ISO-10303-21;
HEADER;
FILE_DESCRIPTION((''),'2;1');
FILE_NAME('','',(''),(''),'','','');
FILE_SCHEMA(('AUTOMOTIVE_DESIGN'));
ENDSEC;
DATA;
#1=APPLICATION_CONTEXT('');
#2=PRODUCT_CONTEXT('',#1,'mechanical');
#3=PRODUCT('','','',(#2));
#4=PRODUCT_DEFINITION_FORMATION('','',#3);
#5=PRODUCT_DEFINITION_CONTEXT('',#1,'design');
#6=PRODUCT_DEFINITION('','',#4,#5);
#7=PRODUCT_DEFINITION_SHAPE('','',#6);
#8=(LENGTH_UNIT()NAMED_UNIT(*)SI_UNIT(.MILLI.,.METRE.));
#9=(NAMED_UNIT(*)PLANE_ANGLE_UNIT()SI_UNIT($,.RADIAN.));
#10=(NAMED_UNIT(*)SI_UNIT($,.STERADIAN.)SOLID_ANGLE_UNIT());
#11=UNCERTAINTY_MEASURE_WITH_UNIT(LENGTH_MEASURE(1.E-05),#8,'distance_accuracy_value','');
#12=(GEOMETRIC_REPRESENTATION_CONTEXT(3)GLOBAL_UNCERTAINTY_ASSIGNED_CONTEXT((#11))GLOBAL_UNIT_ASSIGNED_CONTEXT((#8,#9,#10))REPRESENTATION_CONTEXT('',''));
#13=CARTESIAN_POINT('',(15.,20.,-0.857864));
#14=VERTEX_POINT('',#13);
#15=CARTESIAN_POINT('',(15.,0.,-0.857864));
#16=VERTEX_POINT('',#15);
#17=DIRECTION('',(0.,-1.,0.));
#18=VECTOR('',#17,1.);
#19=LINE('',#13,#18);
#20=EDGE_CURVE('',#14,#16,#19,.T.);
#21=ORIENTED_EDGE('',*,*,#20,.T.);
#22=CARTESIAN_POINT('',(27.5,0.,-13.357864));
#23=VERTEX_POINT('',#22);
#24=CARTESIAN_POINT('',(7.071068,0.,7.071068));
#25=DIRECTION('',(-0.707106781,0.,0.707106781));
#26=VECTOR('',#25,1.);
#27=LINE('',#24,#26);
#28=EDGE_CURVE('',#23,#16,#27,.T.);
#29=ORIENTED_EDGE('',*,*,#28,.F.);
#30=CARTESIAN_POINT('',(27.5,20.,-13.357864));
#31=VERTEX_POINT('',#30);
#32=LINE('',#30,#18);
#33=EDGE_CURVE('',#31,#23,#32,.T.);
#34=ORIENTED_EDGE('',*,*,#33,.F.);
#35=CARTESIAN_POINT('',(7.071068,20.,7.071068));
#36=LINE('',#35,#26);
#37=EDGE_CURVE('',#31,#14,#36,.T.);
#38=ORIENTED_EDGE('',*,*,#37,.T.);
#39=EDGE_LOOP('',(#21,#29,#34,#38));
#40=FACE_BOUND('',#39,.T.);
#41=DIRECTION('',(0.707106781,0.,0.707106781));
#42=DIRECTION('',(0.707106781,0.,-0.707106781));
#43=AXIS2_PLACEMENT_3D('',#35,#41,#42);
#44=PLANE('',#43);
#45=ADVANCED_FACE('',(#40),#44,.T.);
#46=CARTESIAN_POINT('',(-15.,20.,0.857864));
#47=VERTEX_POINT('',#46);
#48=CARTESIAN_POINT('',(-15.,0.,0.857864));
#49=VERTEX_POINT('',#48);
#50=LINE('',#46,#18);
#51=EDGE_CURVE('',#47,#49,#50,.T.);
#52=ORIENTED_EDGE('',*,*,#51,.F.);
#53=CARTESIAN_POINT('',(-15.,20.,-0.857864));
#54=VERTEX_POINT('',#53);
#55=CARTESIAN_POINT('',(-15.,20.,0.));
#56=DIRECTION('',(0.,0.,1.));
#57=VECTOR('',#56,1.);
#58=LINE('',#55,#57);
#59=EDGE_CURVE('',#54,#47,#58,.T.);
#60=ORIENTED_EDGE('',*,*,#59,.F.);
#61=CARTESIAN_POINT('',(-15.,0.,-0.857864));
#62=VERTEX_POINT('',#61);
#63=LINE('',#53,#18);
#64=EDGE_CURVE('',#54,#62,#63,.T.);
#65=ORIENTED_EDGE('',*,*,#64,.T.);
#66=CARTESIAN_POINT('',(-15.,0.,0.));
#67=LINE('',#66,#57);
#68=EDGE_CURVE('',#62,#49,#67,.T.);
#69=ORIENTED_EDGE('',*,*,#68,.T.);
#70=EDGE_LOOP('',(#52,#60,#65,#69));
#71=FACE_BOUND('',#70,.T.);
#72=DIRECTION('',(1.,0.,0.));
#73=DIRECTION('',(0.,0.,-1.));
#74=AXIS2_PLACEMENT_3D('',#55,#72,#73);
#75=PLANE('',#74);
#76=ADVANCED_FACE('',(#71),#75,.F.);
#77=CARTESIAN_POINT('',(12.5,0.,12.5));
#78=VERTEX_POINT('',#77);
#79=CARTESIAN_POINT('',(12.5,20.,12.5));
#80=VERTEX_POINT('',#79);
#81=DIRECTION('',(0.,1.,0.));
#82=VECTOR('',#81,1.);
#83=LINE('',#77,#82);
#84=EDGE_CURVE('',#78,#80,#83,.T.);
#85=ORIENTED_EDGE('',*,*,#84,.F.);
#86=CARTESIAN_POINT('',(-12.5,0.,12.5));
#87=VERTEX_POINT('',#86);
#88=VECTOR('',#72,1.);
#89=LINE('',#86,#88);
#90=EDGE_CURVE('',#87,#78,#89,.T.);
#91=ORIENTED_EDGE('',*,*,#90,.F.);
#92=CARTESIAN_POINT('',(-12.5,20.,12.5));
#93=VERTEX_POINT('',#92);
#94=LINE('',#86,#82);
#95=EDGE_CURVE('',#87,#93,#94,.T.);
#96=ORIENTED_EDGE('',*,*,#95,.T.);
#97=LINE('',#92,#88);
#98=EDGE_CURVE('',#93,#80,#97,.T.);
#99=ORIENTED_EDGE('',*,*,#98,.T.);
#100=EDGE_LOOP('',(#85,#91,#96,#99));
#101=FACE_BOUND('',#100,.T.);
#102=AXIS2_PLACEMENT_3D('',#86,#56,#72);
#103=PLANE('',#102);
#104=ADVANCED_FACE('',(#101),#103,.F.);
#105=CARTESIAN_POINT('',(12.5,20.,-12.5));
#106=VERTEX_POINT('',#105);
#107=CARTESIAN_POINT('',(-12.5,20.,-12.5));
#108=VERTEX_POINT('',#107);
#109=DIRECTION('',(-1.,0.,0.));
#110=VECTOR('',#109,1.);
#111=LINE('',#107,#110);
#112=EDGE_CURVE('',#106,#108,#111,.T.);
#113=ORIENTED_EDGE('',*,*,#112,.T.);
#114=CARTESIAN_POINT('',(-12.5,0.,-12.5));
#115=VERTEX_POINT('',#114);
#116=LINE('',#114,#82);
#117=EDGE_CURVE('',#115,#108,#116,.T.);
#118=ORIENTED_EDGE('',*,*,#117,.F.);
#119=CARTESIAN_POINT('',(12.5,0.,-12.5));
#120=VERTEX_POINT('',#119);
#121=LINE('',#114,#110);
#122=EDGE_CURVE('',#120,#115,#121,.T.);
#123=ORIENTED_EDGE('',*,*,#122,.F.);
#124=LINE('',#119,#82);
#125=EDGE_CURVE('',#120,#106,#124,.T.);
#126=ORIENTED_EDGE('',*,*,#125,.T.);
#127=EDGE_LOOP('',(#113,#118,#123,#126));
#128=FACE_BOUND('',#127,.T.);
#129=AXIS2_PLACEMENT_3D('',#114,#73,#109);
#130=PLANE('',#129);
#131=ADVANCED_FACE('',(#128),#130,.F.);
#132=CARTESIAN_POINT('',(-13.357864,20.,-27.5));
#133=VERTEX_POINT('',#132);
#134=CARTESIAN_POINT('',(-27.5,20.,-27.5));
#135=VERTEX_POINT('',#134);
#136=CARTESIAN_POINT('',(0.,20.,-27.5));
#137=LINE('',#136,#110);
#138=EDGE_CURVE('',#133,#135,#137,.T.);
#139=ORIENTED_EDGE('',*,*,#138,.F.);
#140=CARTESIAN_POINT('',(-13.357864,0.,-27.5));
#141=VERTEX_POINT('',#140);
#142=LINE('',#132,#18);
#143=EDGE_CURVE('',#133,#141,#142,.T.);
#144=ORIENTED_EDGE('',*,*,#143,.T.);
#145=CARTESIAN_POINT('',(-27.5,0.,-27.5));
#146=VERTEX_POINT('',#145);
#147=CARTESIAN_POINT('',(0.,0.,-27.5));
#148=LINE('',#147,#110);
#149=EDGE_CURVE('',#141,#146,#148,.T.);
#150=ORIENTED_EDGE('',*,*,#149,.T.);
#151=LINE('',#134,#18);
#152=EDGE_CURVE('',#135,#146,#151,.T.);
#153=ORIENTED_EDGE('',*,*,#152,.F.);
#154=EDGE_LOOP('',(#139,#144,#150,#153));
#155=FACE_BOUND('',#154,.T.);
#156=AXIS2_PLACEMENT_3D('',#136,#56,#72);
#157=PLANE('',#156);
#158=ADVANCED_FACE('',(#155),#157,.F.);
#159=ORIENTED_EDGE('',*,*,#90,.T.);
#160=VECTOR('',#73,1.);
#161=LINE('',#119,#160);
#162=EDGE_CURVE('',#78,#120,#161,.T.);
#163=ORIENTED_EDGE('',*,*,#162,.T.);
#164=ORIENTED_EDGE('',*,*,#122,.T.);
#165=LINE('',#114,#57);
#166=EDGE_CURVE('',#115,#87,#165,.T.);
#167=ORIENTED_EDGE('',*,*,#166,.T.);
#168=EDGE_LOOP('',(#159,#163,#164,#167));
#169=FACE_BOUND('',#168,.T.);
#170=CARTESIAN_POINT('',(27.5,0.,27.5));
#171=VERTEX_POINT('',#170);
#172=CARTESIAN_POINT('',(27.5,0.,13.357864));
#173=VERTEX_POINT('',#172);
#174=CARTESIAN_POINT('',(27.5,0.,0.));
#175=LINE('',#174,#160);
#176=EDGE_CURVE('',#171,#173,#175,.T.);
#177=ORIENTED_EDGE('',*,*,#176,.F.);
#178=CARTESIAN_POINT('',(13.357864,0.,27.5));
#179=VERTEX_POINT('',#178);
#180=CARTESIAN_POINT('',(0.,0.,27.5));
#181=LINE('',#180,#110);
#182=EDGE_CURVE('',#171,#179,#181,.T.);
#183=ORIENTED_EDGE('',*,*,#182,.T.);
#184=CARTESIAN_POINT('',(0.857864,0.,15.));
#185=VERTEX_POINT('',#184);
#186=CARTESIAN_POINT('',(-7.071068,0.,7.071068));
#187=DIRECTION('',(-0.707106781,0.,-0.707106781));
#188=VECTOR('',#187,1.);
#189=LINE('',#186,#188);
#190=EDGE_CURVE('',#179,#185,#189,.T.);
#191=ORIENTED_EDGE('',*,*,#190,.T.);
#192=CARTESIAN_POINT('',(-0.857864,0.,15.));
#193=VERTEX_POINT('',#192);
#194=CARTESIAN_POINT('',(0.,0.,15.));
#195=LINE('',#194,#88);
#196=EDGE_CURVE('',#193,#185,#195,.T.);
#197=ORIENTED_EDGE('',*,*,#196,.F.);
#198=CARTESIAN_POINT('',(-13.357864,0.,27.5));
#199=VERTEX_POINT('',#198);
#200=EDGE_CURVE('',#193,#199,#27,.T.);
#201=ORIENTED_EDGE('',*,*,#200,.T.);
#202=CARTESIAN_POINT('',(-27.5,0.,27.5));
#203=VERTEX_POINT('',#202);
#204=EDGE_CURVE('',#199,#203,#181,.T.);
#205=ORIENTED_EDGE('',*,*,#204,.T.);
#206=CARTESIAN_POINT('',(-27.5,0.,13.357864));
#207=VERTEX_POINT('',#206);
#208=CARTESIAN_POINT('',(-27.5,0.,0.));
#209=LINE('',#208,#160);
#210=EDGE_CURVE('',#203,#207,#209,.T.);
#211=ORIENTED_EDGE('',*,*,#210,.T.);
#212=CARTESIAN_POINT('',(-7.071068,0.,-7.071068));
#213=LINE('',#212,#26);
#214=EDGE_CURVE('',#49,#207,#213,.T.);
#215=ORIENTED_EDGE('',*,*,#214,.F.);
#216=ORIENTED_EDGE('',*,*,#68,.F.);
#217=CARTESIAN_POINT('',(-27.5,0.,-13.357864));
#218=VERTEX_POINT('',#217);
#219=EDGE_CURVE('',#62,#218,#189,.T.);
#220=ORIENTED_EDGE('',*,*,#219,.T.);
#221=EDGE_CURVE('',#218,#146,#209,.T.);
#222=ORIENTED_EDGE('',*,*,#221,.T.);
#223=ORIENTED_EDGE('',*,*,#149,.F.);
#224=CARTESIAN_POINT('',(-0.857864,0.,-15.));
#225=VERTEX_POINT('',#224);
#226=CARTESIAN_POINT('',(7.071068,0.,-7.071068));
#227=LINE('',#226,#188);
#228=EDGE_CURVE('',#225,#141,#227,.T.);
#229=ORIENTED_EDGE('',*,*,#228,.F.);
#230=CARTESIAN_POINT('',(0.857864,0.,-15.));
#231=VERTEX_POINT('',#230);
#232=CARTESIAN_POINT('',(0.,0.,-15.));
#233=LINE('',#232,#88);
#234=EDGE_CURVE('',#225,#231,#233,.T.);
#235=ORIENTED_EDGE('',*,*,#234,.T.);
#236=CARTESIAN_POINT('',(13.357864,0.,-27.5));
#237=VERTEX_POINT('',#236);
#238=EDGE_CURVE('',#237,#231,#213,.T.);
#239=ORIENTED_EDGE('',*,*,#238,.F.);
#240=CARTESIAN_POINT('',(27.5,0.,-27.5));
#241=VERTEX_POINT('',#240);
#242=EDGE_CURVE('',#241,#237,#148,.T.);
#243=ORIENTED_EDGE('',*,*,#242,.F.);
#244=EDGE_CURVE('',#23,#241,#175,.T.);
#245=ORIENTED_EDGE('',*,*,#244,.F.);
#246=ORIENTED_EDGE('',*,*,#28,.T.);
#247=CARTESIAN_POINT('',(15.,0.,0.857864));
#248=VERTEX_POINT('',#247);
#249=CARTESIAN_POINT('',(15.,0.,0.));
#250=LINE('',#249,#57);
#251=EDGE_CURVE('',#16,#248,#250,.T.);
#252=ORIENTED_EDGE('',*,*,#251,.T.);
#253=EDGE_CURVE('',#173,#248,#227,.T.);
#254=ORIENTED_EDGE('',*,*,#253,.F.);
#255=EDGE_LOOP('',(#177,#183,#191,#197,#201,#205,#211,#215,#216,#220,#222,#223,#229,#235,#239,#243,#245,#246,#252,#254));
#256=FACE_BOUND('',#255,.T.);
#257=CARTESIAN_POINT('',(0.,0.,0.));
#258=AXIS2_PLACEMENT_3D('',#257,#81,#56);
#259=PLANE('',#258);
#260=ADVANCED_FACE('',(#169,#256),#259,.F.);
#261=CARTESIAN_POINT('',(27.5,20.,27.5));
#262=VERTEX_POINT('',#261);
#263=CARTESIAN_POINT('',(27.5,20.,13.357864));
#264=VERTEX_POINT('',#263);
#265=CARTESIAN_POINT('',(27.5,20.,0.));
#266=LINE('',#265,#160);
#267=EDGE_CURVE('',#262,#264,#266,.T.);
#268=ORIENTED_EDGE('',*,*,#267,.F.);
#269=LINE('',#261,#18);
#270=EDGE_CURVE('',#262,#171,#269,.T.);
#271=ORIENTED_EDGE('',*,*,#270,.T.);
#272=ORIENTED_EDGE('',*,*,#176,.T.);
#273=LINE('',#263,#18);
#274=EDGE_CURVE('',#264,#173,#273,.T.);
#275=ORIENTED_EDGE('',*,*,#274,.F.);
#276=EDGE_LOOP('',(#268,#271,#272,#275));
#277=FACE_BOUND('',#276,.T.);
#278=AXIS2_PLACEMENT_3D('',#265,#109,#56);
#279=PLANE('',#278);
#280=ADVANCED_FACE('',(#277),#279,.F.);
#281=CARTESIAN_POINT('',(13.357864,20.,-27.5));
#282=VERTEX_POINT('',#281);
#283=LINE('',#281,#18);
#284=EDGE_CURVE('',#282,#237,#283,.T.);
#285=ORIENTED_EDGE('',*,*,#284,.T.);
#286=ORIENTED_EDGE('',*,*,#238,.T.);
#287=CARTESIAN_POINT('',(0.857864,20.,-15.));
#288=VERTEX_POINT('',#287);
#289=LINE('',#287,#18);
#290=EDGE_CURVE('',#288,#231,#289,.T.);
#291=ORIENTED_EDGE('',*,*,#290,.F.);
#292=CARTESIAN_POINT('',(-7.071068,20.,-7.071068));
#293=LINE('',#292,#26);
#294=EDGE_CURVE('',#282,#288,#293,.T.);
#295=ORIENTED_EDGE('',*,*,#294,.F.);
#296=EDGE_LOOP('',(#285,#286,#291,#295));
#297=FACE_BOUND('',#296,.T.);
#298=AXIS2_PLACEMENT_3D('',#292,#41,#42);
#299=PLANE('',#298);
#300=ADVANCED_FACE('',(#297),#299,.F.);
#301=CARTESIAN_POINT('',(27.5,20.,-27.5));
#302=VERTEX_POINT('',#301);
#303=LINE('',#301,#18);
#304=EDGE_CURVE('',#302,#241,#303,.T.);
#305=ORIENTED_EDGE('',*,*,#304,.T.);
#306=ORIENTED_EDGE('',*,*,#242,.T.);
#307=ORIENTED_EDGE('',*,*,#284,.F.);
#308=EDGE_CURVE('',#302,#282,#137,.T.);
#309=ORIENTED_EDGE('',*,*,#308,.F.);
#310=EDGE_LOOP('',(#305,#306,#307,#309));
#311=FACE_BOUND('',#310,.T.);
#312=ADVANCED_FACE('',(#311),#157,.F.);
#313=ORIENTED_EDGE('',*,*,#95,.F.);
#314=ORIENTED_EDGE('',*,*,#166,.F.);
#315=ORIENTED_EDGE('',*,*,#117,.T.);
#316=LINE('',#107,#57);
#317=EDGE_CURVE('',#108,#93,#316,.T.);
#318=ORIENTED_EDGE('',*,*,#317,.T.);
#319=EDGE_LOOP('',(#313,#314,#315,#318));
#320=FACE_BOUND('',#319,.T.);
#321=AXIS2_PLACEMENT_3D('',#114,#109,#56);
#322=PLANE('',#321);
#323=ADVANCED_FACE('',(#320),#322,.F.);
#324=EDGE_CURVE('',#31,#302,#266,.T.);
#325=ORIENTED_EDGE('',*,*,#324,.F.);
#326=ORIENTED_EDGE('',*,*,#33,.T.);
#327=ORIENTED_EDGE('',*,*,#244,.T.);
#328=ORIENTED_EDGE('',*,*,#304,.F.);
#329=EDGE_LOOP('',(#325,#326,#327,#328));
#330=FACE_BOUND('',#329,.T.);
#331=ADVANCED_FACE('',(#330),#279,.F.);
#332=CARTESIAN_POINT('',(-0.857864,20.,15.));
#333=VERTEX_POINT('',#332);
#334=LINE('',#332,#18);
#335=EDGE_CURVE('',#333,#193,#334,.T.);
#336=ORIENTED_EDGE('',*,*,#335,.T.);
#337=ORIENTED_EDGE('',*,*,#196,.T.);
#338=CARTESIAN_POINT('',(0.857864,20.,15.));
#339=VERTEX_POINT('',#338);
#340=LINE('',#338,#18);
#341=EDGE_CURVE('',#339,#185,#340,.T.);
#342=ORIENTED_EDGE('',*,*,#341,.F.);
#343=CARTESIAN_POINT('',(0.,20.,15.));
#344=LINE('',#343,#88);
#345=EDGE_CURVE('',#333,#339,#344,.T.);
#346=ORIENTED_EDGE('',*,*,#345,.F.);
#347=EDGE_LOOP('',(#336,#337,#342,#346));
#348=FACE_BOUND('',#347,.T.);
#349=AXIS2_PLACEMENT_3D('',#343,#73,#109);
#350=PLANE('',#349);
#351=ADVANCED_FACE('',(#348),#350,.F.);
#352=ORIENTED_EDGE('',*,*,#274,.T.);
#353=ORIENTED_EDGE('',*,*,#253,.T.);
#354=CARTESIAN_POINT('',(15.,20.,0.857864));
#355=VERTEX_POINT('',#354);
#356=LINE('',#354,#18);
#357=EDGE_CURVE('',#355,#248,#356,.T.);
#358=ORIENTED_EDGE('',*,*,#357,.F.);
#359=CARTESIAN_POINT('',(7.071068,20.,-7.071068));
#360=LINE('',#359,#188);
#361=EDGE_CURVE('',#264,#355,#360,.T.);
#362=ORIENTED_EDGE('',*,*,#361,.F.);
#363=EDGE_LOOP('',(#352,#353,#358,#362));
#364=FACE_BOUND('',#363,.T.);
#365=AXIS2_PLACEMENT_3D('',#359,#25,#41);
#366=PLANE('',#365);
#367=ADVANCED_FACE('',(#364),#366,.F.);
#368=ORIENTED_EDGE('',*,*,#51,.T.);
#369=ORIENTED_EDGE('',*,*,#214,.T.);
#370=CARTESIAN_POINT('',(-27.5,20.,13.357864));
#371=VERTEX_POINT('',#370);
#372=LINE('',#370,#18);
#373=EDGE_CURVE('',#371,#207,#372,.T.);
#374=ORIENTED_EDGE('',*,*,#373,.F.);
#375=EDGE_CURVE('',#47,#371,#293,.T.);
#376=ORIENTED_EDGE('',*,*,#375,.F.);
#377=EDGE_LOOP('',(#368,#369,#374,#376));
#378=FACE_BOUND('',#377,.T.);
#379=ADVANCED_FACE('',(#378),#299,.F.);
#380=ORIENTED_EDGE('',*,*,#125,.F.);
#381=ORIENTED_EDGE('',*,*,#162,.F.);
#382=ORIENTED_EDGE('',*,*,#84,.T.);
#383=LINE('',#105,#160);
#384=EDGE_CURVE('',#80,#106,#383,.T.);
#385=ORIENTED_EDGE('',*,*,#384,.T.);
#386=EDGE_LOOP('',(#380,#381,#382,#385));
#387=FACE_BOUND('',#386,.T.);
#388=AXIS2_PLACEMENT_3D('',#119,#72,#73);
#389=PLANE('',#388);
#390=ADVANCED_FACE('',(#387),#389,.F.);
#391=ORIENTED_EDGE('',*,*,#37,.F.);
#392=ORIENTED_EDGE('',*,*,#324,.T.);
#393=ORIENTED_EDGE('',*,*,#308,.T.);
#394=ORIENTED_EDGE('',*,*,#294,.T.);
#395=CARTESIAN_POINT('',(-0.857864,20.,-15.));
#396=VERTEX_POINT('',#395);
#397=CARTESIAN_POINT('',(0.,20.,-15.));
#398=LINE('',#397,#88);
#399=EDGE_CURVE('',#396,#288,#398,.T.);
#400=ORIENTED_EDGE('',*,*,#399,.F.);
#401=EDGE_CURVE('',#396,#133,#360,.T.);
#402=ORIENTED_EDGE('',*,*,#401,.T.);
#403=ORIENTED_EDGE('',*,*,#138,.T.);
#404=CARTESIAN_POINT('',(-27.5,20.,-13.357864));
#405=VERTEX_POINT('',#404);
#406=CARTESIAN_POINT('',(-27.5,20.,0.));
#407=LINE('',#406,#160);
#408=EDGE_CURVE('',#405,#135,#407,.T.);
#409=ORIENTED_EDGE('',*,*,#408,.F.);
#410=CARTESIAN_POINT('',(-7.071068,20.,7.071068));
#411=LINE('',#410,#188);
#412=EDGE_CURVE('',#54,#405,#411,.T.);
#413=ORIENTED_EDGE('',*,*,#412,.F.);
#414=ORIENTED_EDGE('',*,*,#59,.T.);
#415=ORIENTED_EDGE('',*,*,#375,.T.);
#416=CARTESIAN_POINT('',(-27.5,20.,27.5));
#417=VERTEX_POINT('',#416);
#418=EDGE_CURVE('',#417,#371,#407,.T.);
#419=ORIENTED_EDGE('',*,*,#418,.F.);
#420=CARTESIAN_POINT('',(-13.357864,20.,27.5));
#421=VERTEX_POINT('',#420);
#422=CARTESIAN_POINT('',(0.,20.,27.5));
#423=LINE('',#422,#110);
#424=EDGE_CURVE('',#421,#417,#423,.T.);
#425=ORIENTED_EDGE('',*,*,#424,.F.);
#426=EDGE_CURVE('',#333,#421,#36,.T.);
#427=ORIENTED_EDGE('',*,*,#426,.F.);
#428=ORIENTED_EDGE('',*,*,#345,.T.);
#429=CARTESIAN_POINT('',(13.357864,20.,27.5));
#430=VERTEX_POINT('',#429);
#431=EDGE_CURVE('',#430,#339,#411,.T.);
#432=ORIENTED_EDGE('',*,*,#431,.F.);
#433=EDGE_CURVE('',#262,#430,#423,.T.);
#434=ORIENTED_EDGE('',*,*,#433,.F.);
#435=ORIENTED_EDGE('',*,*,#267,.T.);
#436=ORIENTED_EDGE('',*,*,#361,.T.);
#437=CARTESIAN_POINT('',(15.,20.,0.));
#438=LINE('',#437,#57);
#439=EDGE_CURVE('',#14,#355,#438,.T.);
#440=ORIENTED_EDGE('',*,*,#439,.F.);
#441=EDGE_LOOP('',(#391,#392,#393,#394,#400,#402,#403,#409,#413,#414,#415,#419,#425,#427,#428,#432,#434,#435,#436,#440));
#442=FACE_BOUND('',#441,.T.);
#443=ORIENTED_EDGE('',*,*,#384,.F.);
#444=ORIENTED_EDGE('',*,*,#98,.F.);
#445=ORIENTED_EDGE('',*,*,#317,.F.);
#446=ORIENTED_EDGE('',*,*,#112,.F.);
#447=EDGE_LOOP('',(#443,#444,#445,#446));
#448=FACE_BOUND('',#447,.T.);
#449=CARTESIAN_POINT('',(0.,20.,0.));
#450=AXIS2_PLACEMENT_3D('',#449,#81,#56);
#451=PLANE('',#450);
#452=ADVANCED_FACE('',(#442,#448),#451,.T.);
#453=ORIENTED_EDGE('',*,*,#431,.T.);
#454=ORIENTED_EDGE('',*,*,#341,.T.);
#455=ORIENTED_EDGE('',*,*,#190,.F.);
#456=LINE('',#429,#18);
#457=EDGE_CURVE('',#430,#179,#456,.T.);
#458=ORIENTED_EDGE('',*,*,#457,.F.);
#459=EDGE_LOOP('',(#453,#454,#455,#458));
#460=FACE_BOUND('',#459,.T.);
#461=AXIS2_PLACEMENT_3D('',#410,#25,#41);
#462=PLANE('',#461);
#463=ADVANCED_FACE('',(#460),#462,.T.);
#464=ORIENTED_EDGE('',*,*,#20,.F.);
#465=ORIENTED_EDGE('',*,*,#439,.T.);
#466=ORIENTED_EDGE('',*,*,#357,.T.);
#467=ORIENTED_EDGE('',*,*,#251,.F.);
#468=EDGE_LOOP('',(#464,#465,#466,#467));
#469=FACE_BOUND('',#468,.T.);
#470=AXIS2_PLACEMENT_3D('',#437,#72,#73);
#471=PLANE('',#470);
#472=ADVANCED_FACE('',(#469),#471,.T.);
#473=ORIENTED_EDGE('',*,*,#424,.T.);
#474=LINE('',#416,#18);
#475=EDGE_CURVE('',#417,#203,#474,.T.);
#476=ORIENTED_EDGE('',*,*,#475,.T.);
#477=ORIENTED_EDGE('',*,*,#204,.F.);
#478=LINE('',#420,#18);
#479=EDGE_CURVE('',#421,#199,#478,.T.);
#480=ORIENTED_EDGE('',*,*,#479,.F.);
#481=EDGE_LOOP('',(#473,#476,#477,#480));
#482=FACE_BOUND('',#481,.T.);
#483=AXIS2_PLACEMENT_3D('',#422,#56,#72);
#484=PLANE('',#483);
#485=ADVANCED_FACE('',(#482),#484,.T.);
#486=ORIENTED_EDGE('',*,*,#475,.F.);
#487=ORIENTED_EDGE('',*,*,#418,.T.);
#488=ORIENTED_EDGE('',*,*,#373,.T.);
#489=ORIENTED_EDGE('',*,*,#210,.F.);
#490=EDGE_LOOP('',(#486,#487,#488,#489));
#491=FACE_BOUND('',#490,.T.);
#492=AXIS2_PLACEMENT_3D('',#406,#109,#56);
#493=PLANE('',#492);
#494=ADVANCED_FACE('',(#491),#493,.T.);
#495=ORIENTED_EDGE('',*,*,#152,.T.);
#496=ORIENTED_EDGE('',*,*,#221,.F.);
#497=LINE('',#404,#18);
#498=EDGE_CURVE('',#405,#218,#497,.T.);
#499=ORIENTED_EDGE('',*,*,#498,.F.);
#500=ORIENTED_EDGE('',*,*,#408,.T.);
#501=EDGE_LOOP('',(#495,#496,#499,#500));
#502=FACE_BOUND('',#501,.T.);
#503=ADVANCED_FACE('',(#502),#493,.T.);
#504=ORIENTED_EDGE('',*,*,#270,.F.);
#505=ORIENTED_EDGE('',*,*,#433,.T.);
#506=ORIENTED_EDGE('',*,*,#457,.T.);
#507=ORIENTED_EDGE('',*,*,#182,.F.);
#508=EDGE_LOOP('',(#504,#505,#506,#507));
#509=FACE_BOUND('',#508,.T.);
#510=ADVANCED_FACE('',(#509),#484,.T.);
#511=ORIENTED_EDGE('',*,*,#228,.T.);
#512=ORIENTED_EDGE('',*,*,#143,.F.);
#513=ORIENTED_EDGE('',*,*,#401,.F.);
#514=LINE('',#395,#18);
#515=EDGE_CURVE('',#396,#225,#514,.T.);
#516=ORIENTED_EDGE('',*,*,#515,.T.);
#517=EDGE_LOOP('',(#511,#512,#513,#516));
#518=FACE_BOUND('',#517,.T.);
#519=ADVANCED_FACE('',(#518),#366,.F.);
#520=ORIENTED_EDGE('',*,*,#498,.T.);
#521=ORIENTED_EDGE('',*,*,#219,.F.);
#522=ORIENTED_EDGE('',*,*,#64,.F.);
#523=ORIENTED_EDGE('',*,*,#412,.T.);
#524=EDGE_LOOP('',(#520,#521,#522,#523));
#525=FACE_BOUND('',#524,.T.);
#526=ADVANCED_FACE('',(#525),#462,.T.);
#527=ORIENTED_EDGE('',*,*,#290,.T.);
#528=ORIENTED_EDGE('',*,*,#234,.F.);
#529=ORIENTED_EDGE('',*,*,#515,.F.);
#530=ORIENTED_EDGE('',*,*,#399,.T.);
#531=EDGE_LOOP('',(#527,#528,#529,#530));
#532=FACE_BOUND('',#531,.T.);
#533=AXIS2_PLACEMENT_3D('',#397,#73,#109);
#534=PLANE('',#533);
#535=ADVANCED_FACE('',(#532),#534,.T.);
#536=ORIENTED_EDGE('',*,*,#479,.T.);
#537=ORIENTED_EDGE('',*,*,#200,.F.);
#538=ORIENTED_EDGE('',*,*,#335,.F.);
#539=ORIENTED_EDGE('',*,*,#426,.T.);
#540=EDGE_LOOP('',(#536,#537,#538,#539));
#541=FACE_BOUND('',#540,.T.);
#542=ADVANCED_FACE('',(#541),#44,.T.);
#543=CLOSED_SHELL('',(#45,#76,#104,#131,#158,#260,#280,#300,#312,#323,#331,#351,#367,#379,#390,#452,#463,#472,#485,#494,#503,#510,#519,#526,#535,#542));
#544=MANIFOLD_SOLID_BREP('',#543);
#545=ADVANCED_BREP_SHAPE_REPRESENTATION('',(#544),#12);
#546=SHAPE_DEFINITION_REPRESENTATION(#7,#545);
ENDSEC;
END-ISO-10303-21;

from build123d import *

# Parameters (mm, degrees)
BOSS_EXTRUDE1_DEPTH = 20
SKETCH2_W           = 25
SKETCH2_H           = 25
CUT_EXTRUDE2_DEPTH  = 44.732139211


with BuildPart() as part:
    # Sketch1 → Boss-Extrude1 (new body)
    with BuildSketch(Plane(origin=(0, 0, 0), x_dir=(1, 0, 0), z_dir=(0, 1, 0))):
        Polygon((27.5, -27.5), (27.5, -13.357864376), (15, -0.857864376), (15, 0.857864376), (27.5, 13.357864376), (27.5, 27.5), (13.357864376, 27.5), (0.857864376, 15), (-0.857864376, 15), (-13.357864376, 27.5), (-27.5, 27.5), (-27.5, 13.357864376), (-15, 0.857864376), (-15, -0.857864376), (-27.5, -13.357864376), (-27.5, -27.5), (-13.357864376, -27.5), (-0.857864376, -15), (0.857864376, -15), (13.357864376, -27.5), align=None)
    extrude(amount=BOSS_EXTRUDE1_DEPTH)

    # Sketch2 → Cut-Extrude2 (cut, through all)
    with BuildSketch(Plane(origin=(0, 20, 0), x_dir=(1, 0, 0), z_dir=(0, 1, 0))):
        Rectangle(SKETCH2_W, SKETCH2_H)
    extrude(amount=-CUT_EXTRUDE2_DEPTH, mode=Mode.SUBTRACT)


solid = part.part
